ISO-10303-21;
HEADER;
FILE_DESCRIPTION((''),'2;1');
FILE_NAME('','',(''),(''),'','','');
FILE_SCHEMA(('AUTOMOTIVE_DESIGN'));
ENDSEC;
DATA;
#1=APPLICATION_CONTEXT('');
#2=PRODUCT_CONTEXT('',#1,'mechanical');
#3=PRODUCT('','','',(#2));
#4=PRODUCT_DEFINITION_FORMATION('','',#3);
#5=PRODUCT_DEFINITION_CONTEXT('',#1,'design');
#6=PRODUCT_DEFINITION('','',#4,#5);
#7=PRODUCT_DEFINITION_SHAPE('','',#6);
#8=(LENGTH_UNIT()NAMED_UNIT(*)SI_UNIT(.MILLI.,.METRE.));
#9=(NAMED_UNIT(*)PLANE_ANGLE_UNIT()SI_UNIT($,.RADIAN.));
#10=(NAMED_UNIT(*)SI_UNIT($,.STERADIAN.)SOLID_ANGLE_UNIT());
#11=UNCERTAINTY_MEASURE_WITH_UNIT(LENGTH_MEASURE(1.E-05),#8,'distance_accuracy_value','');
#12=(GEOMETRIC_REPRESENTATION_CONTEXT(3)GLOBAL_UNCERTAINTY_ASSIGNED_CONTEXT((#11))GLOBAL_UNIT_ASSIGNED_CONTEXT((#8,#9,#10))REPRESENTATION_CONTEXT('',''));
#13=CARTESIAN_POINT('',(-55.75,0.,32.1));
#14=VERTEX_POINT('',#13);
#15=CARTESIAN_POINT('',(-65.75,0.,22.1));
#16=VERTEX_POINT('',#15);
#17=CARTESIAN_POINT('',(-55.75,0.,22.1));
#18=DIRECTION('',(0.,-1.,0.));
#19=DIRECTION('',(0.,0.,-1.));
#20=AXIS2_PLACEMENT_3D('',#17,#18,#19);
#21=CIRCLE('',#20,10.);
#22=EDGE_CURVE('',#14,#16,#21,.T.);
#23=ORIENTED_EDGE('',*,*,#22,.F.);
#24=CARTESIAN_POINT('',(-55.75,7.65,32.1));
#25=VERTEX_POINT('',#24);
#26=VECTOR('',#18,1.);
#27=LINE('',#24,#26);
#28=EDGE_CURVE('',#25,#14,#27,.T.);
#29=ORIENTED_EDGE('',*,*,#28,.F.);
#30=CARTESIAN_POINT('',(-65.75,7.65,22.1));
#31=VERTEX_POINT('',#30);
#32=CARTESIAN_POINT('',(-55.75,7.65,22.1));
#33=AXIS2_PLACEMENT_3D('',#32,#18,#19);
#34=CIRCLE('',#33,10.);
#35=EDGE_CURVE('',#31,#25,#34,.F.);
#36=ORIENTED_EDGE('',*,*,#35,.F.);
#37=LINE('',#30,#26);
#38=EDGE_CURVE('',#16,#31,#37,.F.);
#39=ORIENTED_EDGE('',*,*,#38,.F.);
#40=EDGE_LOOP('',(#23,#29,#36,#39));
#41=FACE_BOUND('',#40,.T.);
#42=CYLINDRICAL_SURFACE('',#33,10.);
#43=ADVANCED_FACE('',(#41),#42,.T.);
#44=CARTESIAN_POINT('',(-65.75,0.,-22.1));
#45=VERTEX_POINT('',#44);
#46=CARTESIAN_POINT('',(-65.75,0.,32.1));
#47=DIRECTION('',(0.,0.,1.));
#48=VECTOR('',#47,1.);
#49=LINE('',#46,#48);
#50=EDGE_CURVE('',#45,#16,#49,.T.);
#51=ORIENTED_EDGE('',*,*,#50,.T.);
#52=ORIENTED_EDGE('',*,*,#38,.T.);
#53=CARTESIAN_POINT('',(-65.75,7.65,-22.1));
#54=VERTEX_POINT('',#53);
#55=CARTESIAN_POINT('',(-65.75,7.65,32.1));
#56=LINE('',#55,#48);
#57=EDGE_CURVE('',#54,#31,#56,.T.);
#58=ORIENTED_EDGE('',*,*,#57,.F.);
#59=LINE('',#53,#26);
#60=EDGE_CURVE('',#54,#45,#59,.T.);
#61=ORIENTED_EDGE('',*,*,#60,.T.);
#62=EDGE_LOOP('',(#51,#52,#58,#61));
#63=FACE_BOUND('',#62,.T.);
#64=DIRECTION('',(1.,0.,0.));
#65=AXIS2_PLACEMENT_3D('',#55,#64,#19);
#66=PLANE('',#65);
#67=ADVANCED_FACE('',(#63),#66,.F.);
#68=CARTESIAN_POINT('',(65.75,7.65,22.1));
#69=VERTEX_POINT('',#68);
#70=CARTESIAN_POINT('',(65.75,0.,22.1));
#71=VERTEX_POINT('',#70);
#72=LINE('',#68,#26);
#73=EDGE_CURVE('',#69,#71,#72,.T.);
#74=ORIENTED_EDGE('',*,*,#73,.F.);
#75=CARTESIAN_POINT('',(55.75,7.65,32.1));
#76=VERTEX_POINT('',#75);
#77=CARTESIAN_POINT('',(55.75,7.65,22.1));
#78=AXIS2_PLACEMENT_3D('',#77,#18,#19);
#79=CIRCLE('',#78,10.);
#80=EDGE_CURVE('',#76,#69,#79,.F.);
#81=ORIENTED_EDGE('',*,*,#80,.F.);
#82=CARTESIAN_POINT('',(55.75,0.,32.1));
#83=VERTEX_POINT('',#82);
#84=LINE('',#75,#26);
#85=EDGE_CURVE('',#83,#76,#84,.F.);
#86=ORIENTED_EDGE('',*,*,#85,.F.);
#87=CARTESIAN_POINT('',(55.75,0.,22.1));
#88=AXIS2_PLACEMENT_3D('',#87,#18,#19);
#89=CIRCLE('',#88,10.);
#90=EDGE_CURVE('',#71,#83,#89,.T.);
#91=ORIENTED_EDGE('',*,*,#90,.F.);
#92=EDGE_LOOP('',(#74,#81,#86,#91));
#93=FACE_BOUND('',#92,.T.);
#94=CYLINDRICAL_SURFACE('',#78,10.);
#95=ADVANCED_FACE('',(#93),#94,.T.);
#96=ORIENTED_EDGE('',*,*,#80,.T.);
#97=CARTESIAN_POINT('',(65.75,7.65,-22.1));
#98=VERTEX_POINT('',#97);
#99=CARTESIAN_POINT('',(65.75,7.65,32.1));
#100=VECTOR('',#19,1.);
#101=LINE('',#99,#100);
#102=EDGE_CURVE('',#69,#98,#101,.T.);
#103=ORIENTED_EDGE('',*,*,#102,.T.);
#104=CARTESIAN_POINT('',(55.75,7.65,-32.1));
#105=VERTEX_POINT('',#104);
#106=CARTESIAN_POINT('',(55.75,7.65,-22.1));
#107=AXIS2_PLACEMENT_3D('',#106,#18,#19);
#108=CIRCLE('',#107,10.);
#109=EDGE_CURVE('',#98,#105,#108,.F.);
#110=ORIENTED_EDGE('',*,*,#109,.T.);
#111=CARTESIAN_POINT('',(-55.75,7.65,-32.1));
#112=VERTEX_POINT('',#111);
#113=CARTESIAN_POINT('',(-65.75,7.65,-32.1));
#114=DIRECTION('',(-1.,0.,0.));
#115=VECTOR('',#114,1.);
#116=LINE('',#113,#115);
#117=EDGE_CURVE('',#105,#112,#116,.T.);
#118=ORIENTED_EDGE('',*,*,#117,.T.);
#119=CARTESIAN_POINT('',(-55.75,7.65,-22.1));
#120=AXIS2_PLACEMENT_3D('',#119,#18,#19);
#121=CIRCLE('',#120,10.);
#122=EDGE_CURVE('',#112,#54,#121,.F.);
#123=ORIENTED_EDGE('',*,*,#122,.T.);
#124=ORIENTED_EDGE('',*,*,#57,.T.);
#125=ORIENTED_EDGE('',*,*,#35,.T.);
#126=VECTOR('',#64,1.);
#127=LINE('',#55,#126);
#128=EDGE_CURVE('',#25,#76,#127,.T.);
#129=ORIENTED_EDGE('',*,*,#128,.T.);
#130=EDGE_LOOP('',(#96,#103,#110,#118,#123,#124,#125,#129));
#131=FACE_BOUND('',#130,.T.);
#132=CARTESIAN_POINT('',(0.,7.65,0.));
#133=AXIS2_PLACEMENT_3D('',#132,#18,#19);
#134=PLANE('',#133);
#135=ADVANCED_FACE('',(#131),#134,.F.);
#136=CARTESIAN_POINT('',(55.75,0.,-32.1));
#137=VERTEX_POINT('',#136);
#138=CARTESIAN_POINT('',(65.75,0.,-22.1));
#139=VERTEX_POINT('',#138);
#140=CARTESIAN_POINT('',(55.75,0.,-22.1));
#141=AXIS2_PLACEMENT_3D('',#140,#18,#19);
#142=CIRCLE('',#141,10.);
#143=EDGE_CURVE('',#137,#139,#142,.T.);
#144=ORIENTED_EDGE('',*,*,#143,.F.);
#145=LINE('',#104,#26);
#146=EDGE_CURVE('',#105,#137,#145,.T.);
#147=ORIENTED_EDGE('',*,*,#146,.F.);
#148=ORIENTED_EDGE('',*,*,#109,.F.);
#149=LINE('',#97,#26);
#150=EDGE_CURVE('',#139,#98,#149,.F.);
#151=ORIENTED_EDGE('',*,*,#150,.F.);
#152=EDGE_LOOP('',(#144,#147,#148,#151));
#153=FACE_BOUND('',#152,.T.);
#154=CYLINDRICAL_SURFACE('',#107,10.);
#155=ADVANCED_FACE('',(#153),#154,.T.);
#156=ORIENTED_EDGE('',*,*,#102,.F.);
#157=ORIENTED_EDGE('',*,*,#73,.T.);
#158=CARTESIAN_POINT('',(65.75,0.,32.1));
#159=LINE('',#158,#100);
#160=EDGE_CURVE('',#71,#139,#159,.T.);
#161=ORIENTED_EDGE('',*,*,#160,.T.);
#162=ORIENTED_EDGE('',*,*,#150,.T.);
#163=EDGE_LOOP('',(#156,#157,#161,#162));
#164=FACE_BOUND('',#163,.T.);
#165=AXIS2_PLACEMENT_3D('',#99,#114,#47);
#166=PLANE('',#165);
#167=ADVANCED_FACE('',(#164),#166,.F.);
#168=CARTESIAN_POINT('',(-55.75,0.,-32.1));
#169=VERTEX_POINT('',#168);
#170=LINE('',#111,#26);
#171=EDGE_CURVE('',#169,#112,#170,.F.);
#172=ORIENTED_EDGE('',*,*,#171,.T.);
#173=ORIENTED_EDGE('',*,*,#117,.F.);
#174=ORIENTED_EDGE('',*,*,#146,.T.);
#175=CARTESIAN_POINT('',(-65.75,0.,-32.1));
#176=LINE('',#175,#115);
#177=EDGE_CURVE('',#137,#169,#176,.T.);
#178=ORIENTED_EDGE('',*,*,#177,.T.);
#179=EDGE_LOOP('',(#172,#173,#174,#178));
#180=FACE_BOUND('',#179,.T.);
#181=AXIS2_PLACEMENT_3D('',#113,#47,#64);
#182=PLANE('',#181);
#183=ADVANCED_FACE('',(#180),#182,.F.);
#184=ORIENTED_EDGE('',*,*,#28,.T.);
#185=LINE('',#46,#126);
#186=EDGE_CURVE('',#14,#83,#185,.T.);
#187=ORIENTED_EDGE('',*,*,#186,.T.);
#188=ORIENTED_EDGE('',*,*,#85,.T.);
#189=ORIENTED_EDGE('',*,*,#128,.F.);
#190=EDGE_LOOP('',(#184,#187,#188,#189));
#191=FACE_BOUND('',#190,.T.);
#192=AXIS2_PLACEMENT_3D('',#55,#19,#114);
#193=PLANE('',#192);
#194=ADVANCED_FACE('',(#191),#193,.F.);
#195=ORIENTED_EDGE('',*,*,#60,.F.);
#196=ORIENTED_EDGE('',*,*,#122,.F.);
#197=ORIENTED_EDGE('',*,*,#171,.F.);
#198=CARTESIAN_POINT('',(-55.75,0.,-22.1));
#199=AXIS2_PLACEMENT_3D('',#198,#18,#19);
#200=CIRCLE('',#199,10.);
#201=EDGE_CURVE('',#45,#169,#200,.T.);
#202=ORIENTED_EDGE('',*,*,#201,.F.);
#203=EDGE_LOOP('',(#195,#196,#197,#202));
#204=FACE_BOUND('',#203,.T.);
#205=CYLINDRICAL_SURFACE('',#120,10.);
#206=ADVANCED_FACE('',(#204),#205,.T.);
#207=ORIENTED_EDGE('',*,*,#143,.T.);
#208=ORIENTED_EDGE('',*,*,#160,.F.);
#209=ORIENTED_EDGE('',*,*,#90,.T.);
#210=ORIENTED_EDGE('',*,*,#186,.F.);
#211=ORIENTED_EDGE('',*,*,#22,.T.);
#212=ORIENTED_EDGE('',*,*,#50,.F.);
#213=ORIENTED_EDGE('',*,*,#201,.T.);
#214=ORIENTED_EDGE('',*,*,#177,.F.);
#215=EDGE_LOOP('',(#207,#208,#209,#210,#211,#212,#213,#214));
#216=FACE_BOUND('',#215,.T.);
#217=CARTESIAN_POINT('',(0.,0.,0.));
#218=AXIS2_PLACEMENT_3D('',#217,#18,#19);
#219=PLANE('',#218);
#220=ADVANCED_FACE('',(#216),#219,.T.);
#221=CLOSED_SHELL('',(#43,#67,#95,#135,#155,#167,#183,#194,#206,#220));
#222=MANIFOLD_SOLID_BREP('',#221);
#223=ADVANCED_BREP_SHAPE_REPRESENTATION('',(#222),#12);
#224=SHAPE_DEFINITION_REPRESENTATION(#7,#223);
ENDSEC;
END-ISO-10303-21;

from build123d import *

# Parameters (mm, degrees)
SKETCH_1_W      = 131.5
SKETCH_1_H      = 64.2
EXTRUDE_1_DEPTH = 7.65
FILLET_1_R      = 10


with BuildPart() as part:
    # 草图1 → 凸台-拉伸1 (new body)
    with BuildSketch(Plane(origin=(0, 0, 0), x_dir=(1, 0, 0), z_dir=(0, 1, 0))):
        Rectangle(SKETCH_1_W, SKETCH_1_H)
    extrude(amount=EXTRUDE_1_DEPTH)

    # 圆角1
    fillet_1_edges = [part.edges().sort_by_distance(p)[0] for p in [
        (65.75, 3.825, 32.1),
        (-65.75, 3.825, 32.1),
        (-65.75, 3.825, -32.1),
        (65.75, 3.825, -32.1),
    ]]
    fillet(fillet_1_edges, radius=FILLET_1_R)


solid = part.part
